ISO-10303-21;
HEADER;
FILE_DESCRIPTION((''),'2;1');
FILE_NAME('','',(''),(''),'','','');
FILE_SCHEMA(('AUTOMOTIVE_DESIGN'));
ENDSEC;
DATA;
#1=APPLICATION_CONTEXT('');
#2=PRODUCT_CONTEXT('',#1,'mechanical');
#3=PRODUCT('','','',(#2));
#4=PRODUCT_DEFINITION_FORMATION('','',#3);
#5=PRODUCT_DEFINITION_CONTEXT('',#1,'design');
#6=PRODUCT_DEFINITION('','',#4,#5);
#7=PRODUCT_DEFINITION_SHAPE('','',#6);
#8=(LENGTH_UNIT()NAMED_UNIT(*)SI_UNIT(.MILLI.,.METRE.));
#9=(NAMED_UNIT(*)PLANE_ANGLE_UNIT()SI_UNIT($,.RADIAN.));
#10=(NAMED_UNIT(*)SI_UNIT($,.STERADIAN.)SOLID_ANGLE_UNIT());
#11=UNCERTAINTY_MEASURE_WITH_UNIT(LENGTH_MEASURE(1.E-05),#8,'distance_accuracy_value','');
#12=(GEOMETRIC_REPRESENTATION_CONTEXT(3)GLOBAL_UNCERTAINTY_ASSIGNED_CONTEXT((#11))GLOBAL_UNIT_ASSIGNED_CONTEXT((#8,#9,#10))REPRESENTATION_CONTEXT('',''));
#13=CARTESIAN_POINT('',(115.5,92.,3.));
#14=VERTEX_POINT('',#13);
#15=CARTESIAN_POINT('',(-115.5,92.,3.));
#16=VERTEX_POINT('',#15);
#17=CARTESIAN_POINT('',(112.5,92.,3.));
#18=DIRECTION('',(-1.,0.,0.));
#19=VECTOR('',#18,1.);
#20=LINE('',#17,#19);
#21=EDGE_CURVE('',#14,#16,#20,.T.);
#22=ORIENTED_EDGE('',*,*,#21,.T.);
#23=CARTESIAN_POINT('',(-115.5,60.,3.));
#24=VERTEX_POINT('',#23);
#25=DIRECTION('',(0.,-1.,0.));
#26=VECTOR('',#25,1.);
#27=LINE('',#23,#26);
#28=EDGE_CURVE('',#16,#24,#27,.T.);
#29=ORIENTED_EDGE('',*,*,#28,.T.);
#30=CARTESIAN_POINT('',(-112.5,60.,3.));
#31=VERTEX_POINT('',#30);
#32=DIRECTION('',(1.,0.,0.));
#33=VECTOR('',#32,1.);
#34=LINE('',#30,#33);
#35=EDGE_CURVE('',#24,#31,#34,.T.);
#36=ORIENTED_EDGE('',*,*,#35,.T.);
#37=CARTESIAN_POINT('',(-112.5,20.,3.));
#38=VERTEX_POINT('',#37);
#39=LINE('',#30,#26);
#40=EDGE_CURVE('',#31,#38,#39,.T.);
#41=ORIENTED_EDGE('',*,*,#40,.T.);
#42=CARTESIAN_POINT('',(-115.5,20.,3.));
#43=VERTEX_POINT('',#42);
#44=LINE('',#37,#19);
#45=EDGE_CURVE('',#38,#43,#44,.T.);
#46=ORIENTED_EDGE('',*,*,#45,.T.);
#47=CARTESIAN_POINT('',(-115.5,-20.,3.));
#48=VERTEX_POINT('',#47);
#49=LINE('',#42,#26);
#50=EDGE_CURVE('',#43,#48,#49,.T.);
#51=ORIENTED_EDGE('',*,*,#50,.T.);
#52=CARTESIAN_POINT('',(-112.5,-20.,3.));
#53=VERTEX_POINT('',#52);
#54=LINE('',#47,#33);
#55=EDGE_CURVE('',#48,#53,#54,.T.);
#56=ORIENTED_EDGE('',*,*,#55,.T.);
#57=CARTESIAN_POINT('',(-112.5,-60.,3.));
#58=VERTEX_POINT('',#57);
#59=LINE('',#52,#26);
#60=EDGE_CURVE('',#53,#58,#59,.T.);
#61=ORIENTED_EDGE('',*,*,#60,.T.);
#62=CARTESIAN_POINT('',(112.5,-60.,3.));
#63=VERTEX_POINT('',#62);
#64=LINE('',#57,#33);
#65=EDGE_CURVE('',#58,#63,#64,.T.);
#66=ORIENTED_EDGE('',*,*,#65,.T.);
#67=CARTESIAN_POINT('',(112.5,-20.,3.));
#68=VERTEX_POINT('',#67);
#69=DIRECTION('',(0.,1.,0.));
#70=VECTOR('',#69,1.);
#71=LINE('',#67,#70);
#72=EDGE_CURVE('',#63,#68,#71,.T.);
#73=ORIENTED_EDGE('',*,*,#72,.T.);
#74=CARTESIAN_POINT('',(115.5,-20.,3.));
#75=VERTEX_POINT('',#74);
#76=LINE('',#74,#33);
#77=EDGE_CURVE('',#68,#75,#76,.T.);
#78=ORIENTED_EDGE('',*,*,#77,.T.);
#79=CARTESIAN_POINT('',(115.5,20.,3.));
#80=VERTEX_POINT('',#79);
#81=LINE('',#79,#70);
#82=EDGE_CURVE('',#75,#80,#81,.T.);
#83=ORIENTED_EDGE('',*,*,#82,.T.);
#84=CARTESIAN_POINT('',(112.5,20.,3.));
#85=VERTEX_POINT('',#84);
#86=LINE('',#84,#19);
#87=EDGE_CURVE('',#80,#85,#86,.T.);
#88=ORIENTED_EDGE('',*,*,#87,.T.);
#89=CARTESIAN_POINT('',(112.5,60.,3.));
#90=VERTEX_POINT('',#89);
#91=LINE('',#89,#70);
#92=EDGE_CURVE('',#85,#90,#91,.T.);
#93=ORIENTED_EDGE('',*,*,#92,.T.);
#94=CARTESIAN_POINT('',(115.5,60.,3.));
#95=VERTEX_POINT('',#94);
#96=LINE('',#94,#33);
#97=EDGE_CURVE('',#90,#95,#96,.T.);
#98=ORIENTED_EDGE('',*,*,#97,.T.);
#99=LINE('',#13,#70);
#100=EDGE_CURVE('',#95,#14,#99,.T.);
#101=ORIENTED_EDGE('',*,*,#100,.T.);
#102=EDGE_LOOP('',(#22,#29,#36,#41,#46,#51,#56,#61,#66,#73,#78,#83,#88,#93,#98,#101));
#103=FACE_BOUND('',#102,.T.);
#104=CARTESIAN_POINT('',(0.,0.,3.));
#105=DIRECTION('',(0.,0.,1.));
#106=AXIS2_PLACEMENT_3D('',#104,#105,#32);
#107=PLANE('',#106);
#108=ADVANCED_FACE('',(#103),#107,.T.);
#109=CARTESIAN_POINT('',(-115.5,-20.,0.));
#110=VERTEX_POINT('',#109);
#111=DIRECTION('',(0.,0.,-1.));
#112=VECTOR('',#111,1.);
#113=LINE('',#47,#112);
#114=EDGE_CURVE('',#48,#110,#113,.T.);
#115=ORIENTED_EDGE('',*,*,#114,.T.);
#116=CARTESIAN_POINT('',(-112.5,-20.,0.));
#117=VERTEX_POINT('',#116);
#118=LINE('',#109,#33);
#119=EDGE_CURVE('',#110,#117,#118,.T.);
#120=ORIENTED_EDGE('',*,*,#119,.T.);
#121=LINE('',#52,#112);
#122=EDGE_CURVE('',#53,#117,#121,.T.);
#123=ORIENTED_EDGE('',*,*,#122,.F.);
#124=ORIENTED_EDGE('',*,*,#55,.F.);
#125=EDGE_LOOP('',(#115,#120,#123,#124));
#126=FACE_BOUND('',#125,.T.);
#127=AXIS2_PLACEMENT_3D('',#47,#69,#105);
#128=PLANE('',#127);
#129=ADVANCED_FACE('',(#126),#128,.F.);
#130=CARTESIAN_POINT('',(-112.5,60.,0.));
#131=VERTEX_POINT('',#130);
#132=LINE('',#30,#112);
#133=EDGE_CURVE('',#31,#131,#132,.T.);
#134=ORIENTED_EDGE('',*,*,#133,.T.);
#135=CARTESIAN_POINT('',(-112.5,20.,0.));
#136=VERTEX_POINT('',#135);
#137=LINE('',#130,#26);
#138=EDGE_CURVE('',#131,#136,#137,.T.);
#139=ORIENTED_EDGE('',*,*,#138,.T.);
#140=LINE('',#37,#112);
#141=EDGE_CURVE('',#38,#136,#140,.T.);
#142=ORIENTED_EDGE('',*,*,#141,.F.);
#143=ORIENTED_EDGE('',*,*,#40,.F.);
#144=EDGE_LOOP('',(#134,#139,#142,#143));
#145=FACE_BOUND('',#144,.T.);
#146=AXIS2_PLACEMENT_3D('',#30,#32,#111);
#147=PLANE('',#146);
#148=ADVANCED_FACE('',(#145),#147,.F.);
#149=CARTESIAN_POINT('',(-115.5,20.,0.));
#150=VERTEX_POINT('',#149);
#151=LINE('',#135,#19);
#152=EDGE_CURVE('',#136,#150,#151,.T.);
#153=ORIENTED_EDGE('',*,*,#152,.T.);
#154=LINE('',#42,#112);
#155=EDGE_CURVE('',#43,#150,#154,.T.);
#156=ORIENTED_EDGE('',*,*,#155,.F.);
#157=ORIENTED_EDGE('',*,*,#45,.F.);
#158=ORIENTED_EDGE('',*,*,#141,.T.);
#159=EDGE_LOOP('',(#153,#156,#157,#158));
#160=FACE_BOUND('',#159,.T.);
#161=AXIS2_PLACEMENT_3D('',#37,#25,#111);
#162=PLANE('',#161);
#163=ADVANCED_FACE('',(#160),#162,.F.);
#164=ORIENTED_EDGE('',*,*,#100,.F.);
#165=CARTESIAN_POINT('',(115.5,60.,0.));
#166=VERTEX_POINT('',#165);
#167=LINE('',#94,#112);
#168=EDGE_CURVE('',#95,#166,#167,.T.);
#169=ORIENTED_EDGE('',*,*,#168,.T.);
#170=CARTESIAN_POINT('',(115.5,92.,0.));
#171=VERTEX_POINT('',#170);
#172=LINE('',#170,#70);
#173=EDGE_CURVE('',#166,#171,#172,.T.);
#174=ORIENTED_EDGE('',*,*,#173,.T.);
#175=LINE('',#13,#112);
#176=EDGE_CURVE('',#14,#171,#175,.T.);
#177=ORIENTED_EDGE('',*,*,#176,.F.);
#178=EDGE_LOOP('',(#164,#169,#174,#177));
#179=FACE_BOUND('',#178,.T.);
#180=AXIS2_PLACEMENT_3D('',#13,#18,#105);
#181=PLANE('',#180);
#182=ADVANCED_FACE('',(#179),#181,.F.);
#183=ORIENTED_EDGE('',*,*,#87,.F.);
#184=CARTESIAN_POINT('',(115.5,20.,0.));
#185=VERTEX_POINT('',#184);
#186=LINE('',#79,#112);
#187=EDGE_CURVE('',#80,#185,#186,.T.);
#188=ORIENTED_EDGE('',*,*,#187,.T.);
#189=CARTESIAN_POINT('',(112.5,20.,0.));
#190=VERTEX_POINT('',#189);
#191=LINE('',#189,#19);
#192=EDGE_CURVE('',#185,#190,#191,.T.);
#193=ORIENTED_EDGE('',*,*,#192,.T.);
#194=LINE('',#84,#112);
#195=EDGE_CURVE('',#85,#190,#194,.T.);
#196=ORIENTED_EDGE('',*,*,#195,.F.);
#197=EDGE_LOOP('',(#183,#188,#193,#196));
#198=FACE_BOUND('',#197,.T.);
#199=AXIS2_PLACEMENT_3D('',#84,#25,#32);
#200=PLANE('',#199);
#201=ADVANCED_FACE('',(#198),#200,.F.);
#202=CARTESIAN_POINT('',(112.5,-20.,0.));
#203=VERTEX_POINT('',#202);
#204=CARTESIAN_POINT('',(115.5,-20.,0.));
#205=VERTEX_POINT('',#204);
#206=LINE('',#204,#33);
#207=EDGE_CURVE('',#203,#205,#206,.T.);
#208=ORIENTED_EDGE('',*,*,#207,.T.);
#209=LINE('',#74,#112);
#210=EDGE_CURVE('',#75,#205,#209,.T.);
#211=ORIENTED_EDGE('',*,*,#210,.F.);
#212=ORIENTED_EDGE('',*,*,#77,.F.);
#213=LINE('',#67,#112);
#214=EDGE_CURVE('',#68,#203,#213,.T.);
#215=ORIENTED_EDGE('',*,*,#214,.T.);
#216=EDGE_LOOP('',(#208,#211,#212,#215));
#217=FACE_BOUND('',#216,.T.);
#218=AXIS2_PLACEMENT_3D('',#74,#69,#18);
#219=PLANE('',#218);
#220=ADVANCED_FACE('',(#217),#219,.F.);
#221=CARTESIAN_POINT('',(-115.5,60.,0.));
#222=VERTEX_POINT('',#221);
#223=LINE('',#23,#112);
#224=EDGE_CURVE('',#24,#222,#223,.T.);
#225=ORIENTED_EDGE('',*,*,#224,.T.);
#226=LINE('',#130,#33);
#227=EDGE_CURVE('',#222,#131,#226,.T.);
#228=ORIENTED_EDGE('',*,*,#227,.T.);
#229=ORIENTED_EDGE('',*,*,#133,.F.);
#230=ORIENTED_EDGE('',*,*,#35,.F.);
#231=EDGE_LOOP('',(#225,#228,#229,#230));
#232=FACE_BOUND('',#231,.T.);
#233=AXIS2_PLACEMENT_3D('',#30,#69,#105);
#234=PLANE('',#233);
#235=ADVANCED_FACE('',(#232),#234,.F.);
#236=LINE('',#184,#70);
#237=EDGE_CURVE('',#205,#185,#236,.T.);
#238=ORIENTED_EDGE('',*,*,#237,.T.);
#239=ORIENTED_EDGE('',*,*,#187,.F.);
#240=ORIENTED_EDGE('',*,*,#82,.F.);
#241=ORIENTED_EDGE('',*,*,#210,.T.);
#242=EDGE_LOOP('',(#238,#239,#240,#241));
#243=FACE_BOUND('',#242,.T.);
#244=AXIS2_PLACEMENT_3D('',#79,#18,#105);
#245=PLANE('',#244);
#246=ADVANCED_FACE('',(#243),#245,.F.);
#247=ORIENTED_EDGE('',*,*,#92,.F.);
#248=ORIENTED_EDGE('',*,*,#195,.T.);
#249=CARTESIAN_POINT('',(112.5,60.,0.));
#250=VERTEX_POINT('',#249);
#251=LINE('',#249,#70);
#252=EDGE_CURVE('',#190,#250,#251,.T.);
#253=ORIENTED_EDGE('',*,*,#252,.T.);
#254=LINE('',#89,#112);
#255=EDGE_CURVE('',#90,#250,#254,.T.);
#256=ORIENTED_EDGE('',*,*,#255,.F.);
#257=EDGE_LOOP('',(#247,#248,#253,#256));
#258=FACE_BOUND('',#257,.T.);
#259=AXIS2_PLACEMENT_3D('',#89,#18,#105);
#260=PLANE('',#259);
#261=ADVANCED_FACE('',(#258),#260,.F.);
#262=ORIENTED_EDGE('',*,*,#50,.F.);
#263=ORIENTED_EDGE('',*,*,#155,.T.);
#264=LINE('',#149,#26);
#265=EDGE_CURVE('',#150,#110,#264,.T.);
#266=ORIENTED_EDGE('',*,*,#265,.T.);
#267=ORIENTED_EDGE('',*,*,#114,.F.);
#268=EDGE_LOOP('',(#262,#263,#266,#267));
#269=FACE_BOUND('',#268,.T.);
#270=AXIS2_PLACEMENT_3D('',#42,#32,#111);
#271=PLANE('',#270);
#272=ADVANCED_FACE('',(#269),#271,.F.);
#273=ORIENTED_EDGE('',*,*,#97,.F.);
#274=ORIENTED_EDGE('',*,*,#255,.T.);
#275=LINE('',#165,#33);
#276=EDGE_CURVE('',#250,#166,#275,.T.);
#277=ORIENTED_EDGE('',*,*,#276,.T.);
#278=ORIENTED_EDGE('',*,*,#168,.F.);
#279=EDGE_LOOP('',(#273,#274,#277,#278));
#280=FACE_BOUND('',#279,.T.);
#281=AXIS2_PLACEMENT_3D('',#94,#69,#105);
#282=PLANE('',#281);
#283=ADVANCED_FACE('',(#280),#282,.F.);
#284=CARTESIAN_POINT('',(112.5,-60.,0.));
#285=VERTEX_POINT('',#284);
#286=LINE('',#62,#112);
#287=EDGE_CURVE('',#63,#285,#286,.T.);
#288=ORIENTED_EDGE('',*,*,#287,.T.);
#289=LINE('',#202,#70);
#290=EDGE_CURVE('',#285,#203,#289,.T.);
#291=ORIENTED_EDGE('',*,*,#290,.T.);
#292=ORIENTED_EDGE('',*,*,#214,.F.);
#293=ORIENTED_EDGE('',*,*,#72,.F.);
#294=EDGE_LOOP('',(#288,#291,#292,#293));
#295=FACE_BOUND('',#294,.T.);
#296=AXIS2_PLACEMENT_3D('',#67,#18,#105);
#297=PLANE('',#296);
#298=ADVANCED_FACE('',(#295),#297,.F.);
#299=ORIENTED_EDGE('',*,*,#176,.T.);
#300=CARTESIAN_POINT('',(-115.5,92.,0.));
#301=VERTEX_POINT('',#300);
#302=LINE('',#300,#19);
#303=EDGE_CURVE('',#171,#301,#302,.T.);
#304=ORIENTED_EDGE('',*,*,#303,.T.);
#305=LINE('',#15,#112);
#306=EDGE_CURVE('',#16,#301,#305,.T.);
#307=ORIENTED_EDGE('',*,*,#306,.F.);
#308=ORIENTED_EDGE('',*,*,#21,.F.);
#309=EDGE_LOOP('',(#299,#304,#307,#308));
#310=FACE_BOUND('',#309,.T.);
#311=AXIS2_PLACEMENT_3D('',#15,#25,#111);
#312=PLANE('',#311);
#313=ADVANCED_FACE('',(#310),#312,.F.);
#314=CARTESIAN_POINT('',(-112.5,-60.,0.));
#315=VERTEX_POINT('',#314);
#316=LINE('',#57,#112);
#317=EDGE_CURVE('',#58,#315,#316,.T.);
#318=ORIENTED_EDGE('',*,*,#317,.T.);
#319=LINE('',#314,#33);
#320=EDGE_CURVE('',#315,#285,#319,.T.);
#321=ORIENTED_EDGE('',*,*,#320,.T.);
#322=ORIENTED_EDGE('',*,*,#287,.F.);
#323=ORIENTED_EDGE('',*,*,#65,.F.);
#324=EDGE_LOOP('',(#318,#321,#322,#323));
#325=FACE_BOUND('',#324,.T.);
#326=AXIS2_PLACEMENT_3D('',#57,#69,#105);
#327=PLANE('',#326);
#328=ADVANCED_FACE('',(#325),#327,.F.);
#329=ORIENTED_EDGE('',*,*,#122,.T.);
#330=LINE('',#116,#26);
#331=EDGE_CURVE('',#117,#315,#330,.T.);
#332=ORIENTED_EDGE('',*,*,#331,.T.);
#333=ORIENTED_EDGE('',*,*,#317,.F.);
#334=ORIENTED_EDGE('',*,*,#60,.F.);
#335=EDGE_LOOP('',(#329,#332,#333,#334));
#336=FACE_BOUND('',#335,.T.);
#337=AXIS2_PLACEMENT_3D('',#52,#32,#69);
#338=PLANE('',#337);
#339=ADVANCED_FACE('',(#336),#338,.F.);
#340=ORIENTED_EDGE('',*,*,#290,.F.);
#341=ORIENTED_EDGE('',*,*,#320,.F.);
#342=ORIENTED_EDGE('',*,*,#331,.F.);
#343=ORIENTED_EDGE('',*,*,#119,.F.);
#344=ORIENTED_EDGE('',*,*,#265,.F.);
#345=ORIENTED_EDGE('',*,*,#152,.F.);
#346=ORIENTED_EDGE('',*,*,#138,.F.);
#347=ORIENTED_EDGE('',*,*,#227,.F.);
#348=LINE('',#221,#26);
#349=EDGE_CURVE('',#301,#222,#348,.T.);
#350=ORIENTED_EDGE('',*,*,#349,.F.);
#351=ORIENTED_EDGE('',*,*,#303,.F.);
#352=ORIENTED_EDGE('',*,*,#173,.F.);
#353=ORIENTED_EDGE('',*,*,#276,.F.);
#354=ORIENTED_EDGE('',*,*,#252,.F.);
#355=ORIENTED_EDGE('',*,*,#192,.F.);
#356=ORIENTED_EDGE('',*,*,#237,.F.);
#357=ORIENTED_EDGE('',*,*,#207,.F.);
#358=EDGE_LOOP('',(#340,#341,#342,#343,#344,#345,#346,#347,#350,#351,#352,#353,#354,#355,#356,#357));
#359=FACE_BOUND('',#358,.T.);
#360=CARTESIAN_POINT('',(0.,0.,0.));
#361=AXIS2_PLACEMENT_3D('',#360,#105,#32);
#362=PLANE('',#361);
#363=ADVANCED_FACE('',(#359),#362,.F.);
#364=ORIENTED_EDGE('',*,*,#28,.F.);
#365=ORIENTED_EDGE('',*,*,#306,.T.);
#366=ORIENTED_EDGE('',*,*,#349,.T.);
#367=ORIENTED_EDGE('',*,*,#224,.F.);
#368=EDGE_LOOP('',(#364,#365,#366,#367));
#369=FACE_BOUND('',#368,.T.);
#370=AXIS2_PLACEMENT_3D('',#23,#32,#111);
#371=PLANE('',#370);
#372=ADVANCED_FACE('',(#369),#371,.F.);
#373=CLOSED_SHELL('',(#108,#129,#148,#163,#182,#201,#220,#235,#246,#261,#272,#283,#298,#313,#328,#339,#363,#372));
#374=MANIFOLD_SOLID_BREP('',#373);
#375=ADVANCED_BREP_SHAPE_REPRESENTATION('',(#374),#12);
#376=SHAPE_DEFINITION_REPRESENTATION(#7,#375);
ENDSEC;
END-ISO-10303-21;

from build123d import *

# Parameters (mm, degrees)
BOSS_EXTRUDE1_DEPTH = 3


with BuildPart() as part:
    # Sketch1 → Boss-Extrude1 (new body)
    with BuildSketch(Plane.XY):
        Polygon((-112.5, 20), (-115.5, 20), (-115.5, -20), (-112.5, -20), (-112.5, -60), (112.5, -60), (112.5, -20), (115.5, -20), (115.5, 20), (112.5, 20), (112.5, 60), (115.5, 60), (115.5, 92), (112.5, 92), (-112.5, 92), (-115.5, 92), (-115.5, 60), (-112.5, 60), align=None)
    extrude(amount=BOSS_EXTRUDE1_DEPTH)


solid = part.part
